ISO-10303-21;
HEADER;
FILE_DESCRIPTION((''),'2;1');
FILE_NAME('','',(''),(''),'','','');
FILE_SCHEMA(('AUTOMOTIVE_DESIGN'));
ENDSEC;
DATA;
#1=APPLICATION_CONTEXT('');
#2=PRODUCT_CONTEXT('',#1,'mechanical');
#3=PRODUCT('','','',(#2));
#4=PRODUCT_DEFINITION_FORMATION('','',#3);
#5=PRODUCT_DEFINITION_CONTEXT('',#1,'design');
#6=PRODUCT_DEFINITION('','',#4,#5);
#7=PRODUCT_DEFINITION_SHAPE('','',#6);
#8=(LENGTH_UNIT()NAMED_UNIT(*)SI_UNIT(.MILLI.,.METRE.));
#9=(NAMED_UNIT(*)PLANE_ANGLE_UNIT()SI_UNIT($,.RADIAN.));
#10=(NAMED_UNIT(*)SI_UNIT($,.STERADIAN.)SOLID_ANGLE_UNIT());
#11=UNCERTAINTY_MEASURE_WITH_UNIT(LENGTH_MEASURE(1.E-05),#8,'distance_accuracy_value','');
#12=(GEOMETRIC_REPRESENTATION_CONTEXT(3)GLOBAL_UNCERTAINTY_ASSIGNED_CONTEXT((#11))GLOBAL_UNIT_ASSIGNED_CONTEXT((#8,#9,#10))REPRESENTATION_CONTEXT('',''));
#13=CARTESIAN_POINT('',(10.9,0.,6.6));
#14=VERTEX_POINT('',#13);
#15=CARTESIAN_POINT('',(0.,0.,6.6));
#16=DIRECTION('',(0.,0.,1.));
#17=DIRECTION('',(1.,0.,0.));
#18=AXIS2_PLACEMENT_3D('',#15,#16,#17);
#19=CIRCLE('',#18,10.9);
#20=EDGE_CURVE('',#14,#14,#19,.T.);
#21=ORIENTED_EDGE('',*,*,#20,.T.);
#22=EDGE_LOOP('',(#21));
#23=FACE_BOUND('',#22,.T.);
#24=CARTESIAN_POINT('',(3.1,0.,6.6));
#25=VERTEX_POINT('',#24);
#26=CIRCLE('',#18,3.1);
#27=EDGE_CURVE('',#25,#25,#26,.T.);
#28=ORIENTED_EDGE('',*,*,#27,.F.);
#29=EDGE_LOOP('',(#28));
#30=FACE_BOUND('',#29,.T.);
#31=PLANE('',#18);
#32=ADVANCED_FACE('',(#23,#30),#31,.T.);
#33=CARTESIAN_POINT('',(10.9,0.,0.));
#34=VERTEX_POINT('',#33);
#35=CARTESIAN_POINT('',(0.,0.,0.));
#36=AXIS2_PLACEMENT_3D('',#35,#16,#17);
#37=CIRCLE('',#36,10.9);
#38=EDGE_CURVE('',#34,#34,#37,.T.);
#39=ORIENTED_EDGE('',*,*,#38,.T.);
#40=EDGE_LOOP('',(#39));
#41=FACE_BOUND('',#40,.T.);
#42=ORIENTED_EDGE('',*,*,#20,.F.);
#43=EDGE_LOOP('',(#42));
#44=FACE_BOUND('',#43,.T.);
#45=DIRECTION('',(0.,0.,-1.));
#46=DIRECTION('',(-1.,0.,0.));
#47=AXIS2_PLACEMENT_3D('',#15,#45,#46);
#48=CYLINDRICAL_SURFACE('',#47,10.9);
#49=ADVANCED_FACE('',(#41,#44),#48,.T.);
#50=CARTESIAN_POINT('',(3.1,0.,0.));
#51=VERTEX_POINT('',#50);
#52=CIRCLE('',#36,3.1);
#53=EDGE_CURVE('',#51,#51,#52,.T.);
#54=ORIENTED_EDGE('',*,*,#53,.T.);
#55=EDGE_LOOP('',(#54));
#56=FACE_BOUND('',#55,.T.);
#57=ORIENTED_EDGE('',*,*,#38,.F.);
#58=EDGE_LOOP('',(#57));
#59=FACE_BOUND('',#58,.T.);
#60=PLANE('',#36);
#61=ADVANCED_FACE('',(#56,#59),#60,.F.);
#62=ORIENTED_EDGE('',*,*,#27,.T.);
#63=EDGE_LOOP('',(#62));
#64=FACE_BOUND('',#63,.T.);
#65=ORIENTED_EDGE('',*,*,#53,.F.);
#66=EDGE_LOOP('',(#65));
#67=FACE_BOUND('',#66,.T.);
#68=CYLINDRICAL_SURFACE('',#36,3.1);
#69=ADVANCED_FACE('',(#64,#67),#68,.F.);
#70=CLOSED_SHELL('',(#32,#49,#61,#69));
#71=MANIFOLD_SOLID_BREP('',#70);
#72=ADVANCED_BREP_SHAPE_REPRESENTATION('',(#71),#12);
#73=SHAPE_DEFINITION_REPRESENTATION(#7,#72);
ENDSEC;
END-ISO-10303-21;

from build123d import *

# Parameters (mm, degrees)
SKETCH_1_R          = 10.9
EXTRUDE_1_DEPTH     = 6.6
SKETCH_2_R          = 3.1
CUT_EXTRUDE_1_DEPTH = 17.768422705


with BuildPart() as part:
    # 草图1 → 凸台-拉伸1 (new body)
    with BuildSketch(Plane.XY):
        Circle(SKETCH_1_R)
    extrude(amount=EXTRUDE_1_DEPTH)

    # 草图2 → 切除-拉伸1 (cut, through all)
    with BuildSketch(Plane.XY.offset(6.6)):
        Circle(SKETCH_2_R)
    extrude(amount=-CUT_EXTRUDE_1_DEPTH, mode=Mode.SUBTRACT)


solid = part.part
